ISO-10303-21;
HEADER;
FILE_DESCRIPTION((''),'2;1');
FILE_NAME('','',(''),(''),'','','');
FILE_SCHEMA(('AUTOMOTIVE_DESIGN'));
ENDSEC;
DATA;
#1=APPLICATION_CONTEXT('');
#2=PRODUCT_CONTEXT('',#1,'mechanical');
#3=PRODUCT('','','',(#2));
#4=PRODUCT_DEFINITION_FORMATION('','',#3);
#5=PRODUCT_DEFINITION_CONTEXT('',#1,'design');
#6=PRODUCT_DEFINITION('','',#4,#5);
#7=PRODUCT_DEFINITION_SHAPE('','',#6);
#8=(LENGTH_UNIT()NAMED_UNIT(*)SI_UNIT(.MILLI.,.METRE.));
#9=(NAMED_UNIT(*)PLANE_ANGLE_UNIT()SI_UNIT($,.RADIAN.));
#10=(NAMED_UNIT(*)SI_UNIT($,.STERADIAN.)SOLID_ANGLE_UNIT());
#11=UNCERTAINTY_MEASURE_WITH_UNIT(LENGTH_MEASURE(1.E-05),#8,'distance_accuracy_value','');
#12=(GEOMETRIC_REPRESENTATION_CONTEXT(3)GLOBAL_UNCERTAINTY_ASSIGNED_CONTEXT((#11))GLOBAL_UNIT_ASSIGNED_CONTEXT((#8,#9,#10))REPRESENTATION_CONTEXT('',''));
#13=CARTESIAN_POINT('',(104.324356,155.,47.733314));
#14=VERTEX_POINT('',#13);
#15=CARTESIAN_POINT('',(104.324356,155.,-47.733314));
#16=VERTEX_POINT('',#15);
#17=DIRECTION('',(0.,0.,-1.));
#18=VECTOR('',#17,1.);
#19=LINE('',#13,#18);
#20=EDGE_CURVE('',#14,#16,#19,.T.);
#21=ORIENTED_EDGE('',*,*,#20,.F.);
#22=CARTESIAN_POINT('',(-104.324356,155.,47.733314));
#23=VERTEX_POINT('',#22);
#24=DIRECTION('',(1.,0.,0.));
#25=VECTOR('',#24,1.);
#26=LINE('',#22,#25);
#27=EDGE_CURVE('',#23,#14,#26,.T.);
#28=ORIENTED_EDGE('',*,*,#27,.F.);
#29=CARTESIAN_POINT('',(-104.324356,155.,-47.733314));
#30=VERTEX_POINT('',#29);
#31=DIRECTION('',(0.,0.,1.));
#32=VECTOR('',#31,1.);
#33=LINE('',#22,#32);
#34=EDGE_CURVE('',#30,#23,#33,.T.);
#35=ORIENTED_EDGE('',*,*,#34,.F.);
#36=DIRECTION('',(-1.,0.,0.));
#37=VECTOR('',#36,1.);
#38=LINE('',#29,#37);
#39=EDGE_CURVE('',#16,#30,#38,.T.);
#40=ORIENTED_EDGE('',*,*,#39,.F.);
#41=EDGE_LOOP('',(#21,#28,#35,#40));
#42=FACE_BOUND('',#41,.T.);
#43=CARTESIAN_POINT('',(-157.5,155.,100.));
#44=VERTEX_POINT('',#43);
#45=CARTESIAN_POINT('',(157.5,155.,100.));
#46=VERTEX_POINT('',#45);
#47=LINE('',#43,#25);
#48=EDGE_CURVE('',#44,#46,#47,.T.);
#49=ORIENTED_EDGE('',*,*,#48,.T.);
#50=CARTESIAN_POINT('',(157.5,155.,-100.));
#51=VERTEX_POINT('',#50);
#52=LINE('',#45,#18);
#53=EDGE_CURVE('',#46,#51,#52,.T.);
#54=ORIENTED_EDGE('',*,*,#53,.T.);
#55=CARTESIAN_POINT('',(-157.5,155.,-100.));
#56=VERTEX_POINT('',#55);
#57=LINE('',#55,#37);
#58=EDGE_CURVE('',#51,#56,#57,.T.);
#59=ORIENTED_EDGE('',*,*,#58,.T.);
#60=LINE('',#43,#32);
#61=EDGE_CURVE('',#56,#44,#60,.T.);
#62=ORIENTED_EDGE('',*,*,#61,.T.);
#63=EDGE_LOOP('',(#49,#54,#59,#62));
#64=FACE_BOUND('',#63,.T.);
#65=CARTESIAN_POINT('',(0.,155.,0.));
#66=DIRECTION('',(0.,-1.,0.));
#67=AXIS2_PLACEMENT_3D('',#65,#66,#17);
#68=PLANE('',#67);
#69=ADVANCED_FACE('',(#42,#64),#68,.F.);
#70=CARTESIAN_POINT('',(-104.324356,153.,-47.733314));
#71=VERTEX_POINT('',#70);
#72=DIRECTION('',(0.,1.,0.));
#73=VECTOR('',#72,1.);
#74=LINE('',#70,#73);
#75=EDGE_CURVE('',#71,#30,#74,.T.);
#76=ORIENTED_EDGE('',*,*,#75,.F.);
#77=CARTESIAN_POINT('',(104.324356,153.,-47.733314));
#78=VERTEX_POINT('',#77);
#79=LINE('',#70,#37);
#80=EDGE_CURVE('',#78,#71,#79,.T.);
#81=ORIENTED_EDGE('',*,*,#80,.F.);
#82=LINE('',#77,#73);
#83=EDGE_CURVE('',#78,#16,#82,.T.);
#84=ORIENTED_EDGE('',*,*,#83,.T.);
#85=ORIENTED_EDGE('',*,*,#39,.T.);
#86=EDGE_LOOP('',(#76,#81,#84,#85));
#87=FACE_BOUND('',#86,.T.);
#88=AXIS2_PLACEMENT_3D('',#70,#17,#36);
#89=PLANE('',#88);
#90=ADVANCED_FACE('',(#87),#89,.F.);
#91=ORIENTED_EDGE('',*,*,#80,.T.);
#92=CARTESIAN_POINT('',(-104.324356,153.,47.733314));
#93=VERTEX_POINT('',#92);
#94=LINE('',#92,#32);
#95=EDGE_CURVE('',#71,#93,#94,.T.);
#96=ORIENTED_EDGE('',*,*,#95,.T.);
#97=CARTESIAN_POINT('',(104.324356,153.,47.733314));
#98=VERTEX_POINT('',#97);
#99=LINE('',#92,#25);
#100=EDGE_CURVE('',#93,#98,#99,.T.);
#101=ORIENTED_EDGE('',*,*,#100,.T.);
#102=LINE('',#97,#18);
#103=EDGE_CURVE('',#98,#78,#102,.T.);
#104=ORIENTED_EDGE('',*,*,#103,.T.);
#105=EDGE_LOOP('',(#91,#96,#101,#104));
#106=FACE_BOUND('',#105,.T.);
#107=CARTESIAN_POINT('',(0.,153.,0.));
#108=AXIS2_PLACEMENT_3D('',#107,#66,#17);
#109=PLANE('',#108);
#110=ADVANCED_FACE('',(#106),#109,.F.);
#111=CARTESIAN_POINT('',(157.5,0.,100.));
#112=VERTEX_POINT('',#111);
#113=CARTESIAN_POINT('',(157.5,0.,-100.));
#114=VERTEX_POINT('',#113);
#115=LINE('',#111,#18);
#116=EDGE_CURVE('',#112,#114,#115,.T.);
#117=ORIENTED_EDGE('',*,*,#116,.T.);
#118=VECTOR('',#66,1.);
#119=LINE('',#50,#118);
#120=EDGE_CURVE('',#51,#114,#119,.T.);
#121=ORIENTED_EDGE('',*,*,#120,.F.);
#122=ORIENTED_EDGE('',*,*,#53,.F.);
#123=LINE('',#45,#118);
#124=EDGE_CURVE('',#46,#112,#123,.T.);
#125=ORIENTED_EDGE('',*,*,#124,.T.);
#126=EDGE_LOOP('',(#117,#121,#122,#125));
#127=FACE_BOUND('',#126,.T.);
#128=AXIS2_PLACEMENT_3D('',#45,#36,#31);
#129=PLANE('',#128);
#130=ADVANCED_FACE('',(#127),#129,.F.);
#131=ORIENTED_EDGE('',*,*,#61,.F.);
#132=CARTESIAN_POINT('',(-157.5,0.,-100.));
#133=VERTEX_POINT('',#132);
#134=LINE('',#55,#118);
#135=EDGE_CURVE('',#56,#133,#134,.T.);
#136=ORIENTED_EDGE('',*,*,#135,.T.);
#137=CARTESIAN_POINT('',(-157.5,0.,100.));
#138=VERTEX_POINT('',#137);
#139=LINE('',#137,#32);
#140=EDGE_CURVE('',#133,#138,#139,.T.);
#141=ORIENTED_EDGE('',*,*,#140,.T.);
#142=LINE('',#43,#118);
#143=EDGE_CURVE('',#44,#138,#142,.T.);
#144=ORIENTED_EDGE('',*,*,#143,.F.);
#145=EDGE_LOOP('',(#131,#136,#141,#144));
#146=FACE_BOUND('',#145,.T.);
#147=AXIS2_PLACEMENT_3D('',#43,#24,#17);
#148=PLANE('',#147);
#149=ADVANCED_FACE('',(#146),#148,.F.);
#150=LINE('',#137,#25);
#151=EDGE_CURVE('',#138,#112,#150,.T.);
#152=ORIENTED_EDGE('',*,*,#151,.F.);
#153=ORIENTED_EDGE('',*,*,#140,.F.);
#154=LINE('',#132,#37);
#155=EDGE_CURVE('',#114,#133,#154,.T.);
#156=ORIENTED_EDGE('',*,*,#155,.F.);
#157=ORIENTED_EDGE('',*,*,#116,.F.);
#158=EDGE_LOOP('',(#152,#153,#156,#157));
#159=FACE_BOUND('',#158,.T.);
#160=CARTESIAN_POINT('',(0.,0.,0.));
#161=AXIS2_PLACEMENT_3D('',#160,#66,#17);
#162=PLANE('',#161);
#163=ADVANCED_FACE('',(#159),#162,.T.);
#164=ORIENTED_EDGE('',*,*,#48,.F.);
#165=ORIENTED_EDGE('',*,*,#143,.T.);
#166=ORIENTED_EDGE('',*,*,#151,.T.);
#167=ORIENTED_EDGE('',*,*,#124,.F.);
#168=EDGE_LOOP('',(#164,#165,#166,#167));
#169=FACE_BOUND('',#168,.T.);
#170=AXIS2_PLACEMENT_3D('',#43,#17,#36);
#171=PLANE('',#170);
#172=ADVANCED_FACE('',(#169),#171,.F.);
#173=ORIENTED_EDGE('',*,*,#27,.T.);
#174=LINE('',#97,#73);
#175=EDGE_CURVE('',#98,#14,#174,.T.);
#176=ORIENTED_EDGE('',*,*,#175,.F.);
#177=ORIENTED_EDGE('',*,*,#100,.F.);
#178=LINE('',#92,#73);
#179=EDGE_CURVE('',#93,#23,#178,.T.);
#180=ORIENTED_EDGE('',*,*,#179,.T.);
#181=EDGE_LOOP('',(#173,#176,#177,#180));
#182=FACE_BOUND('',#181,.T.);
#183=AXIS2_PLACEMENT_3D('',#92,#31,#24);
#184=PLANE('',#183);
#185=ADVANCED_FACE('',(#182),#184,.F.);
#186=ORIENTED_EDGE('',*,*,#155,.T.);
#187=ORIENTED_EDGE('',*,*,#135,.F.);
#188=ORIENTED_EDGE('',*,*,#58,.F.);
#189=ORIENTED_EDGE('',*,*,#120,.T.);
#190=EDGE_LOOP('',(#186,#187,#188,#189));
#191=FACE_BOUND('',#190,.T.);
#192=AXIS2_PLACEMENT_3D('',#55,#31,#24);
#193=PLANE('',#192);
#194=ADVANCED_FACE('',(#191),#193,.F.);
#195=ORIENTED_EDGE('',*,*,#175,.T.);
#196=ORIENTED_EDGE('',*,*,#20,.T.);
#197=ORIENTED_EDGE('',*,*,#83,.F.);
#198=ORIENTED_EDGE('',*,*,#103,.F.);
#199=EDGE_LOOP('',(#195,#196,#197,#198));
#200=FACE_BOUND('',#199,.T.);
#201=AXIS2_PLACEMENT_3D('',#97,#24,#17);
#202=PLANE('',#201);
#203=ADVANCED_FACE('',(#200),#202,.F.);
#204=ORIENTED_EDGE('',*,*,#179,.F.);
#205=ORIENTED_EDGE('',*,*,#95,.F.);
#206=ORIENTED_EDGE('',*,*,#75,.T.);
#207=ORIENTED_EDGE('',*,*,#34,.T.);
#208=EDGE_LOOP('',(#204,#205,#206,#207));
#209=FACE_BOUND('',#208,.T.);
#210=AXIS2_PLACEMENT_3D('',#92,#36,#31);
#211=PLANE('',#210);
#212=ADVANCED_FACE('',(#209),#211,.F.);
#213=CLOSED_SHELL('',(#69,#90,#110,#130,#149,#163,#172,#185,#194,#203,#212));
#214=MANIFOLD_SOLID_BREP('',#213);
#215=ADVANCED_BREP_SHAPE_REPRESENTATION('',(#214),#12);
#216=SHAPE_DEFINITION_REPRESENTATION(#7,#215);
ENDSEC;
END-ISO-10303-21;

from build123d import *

# Parameters (mm, degrees)
CROQUIS1_W              = 315
CROQUIS1_H              = 200
SALIENTE_EXTRUIR1_DEPTH = 155
CROQUIS2_W              = 208.648711884
CROQUIS2_H              = 95.466627608
CORTAR_EXTRUIR1_DEPTH   = 2


with BuildPart() as part:
    # Croquis1 → Saliente-Extruir1 (new body)
    with BuildSketch(Plane(origin=(0, 0, 0), x_dir=(1, 0, 0), z_dir=(0, 1, 0))):
        Rectangle(CROQUIS1_W, CROQUIS1_H)
    extrude(amount=SALIENTE_EXTRUIR1_DEPTH)

    # Croquis2 → Cortar-Extruir1 (cut)
    with BuildSketch(Plane(origin=(0, 155, 0), x_dir=(1, 0, 0), z_dir=(0, 1, 0))):
        Rectangle(CROQUIS2_W, CROQUIS2_H)
    extrude(amount=-CORTAR_EXTRUIR1_DEPTH, mode=Mode.SUBTRACT)


solid = part.part
